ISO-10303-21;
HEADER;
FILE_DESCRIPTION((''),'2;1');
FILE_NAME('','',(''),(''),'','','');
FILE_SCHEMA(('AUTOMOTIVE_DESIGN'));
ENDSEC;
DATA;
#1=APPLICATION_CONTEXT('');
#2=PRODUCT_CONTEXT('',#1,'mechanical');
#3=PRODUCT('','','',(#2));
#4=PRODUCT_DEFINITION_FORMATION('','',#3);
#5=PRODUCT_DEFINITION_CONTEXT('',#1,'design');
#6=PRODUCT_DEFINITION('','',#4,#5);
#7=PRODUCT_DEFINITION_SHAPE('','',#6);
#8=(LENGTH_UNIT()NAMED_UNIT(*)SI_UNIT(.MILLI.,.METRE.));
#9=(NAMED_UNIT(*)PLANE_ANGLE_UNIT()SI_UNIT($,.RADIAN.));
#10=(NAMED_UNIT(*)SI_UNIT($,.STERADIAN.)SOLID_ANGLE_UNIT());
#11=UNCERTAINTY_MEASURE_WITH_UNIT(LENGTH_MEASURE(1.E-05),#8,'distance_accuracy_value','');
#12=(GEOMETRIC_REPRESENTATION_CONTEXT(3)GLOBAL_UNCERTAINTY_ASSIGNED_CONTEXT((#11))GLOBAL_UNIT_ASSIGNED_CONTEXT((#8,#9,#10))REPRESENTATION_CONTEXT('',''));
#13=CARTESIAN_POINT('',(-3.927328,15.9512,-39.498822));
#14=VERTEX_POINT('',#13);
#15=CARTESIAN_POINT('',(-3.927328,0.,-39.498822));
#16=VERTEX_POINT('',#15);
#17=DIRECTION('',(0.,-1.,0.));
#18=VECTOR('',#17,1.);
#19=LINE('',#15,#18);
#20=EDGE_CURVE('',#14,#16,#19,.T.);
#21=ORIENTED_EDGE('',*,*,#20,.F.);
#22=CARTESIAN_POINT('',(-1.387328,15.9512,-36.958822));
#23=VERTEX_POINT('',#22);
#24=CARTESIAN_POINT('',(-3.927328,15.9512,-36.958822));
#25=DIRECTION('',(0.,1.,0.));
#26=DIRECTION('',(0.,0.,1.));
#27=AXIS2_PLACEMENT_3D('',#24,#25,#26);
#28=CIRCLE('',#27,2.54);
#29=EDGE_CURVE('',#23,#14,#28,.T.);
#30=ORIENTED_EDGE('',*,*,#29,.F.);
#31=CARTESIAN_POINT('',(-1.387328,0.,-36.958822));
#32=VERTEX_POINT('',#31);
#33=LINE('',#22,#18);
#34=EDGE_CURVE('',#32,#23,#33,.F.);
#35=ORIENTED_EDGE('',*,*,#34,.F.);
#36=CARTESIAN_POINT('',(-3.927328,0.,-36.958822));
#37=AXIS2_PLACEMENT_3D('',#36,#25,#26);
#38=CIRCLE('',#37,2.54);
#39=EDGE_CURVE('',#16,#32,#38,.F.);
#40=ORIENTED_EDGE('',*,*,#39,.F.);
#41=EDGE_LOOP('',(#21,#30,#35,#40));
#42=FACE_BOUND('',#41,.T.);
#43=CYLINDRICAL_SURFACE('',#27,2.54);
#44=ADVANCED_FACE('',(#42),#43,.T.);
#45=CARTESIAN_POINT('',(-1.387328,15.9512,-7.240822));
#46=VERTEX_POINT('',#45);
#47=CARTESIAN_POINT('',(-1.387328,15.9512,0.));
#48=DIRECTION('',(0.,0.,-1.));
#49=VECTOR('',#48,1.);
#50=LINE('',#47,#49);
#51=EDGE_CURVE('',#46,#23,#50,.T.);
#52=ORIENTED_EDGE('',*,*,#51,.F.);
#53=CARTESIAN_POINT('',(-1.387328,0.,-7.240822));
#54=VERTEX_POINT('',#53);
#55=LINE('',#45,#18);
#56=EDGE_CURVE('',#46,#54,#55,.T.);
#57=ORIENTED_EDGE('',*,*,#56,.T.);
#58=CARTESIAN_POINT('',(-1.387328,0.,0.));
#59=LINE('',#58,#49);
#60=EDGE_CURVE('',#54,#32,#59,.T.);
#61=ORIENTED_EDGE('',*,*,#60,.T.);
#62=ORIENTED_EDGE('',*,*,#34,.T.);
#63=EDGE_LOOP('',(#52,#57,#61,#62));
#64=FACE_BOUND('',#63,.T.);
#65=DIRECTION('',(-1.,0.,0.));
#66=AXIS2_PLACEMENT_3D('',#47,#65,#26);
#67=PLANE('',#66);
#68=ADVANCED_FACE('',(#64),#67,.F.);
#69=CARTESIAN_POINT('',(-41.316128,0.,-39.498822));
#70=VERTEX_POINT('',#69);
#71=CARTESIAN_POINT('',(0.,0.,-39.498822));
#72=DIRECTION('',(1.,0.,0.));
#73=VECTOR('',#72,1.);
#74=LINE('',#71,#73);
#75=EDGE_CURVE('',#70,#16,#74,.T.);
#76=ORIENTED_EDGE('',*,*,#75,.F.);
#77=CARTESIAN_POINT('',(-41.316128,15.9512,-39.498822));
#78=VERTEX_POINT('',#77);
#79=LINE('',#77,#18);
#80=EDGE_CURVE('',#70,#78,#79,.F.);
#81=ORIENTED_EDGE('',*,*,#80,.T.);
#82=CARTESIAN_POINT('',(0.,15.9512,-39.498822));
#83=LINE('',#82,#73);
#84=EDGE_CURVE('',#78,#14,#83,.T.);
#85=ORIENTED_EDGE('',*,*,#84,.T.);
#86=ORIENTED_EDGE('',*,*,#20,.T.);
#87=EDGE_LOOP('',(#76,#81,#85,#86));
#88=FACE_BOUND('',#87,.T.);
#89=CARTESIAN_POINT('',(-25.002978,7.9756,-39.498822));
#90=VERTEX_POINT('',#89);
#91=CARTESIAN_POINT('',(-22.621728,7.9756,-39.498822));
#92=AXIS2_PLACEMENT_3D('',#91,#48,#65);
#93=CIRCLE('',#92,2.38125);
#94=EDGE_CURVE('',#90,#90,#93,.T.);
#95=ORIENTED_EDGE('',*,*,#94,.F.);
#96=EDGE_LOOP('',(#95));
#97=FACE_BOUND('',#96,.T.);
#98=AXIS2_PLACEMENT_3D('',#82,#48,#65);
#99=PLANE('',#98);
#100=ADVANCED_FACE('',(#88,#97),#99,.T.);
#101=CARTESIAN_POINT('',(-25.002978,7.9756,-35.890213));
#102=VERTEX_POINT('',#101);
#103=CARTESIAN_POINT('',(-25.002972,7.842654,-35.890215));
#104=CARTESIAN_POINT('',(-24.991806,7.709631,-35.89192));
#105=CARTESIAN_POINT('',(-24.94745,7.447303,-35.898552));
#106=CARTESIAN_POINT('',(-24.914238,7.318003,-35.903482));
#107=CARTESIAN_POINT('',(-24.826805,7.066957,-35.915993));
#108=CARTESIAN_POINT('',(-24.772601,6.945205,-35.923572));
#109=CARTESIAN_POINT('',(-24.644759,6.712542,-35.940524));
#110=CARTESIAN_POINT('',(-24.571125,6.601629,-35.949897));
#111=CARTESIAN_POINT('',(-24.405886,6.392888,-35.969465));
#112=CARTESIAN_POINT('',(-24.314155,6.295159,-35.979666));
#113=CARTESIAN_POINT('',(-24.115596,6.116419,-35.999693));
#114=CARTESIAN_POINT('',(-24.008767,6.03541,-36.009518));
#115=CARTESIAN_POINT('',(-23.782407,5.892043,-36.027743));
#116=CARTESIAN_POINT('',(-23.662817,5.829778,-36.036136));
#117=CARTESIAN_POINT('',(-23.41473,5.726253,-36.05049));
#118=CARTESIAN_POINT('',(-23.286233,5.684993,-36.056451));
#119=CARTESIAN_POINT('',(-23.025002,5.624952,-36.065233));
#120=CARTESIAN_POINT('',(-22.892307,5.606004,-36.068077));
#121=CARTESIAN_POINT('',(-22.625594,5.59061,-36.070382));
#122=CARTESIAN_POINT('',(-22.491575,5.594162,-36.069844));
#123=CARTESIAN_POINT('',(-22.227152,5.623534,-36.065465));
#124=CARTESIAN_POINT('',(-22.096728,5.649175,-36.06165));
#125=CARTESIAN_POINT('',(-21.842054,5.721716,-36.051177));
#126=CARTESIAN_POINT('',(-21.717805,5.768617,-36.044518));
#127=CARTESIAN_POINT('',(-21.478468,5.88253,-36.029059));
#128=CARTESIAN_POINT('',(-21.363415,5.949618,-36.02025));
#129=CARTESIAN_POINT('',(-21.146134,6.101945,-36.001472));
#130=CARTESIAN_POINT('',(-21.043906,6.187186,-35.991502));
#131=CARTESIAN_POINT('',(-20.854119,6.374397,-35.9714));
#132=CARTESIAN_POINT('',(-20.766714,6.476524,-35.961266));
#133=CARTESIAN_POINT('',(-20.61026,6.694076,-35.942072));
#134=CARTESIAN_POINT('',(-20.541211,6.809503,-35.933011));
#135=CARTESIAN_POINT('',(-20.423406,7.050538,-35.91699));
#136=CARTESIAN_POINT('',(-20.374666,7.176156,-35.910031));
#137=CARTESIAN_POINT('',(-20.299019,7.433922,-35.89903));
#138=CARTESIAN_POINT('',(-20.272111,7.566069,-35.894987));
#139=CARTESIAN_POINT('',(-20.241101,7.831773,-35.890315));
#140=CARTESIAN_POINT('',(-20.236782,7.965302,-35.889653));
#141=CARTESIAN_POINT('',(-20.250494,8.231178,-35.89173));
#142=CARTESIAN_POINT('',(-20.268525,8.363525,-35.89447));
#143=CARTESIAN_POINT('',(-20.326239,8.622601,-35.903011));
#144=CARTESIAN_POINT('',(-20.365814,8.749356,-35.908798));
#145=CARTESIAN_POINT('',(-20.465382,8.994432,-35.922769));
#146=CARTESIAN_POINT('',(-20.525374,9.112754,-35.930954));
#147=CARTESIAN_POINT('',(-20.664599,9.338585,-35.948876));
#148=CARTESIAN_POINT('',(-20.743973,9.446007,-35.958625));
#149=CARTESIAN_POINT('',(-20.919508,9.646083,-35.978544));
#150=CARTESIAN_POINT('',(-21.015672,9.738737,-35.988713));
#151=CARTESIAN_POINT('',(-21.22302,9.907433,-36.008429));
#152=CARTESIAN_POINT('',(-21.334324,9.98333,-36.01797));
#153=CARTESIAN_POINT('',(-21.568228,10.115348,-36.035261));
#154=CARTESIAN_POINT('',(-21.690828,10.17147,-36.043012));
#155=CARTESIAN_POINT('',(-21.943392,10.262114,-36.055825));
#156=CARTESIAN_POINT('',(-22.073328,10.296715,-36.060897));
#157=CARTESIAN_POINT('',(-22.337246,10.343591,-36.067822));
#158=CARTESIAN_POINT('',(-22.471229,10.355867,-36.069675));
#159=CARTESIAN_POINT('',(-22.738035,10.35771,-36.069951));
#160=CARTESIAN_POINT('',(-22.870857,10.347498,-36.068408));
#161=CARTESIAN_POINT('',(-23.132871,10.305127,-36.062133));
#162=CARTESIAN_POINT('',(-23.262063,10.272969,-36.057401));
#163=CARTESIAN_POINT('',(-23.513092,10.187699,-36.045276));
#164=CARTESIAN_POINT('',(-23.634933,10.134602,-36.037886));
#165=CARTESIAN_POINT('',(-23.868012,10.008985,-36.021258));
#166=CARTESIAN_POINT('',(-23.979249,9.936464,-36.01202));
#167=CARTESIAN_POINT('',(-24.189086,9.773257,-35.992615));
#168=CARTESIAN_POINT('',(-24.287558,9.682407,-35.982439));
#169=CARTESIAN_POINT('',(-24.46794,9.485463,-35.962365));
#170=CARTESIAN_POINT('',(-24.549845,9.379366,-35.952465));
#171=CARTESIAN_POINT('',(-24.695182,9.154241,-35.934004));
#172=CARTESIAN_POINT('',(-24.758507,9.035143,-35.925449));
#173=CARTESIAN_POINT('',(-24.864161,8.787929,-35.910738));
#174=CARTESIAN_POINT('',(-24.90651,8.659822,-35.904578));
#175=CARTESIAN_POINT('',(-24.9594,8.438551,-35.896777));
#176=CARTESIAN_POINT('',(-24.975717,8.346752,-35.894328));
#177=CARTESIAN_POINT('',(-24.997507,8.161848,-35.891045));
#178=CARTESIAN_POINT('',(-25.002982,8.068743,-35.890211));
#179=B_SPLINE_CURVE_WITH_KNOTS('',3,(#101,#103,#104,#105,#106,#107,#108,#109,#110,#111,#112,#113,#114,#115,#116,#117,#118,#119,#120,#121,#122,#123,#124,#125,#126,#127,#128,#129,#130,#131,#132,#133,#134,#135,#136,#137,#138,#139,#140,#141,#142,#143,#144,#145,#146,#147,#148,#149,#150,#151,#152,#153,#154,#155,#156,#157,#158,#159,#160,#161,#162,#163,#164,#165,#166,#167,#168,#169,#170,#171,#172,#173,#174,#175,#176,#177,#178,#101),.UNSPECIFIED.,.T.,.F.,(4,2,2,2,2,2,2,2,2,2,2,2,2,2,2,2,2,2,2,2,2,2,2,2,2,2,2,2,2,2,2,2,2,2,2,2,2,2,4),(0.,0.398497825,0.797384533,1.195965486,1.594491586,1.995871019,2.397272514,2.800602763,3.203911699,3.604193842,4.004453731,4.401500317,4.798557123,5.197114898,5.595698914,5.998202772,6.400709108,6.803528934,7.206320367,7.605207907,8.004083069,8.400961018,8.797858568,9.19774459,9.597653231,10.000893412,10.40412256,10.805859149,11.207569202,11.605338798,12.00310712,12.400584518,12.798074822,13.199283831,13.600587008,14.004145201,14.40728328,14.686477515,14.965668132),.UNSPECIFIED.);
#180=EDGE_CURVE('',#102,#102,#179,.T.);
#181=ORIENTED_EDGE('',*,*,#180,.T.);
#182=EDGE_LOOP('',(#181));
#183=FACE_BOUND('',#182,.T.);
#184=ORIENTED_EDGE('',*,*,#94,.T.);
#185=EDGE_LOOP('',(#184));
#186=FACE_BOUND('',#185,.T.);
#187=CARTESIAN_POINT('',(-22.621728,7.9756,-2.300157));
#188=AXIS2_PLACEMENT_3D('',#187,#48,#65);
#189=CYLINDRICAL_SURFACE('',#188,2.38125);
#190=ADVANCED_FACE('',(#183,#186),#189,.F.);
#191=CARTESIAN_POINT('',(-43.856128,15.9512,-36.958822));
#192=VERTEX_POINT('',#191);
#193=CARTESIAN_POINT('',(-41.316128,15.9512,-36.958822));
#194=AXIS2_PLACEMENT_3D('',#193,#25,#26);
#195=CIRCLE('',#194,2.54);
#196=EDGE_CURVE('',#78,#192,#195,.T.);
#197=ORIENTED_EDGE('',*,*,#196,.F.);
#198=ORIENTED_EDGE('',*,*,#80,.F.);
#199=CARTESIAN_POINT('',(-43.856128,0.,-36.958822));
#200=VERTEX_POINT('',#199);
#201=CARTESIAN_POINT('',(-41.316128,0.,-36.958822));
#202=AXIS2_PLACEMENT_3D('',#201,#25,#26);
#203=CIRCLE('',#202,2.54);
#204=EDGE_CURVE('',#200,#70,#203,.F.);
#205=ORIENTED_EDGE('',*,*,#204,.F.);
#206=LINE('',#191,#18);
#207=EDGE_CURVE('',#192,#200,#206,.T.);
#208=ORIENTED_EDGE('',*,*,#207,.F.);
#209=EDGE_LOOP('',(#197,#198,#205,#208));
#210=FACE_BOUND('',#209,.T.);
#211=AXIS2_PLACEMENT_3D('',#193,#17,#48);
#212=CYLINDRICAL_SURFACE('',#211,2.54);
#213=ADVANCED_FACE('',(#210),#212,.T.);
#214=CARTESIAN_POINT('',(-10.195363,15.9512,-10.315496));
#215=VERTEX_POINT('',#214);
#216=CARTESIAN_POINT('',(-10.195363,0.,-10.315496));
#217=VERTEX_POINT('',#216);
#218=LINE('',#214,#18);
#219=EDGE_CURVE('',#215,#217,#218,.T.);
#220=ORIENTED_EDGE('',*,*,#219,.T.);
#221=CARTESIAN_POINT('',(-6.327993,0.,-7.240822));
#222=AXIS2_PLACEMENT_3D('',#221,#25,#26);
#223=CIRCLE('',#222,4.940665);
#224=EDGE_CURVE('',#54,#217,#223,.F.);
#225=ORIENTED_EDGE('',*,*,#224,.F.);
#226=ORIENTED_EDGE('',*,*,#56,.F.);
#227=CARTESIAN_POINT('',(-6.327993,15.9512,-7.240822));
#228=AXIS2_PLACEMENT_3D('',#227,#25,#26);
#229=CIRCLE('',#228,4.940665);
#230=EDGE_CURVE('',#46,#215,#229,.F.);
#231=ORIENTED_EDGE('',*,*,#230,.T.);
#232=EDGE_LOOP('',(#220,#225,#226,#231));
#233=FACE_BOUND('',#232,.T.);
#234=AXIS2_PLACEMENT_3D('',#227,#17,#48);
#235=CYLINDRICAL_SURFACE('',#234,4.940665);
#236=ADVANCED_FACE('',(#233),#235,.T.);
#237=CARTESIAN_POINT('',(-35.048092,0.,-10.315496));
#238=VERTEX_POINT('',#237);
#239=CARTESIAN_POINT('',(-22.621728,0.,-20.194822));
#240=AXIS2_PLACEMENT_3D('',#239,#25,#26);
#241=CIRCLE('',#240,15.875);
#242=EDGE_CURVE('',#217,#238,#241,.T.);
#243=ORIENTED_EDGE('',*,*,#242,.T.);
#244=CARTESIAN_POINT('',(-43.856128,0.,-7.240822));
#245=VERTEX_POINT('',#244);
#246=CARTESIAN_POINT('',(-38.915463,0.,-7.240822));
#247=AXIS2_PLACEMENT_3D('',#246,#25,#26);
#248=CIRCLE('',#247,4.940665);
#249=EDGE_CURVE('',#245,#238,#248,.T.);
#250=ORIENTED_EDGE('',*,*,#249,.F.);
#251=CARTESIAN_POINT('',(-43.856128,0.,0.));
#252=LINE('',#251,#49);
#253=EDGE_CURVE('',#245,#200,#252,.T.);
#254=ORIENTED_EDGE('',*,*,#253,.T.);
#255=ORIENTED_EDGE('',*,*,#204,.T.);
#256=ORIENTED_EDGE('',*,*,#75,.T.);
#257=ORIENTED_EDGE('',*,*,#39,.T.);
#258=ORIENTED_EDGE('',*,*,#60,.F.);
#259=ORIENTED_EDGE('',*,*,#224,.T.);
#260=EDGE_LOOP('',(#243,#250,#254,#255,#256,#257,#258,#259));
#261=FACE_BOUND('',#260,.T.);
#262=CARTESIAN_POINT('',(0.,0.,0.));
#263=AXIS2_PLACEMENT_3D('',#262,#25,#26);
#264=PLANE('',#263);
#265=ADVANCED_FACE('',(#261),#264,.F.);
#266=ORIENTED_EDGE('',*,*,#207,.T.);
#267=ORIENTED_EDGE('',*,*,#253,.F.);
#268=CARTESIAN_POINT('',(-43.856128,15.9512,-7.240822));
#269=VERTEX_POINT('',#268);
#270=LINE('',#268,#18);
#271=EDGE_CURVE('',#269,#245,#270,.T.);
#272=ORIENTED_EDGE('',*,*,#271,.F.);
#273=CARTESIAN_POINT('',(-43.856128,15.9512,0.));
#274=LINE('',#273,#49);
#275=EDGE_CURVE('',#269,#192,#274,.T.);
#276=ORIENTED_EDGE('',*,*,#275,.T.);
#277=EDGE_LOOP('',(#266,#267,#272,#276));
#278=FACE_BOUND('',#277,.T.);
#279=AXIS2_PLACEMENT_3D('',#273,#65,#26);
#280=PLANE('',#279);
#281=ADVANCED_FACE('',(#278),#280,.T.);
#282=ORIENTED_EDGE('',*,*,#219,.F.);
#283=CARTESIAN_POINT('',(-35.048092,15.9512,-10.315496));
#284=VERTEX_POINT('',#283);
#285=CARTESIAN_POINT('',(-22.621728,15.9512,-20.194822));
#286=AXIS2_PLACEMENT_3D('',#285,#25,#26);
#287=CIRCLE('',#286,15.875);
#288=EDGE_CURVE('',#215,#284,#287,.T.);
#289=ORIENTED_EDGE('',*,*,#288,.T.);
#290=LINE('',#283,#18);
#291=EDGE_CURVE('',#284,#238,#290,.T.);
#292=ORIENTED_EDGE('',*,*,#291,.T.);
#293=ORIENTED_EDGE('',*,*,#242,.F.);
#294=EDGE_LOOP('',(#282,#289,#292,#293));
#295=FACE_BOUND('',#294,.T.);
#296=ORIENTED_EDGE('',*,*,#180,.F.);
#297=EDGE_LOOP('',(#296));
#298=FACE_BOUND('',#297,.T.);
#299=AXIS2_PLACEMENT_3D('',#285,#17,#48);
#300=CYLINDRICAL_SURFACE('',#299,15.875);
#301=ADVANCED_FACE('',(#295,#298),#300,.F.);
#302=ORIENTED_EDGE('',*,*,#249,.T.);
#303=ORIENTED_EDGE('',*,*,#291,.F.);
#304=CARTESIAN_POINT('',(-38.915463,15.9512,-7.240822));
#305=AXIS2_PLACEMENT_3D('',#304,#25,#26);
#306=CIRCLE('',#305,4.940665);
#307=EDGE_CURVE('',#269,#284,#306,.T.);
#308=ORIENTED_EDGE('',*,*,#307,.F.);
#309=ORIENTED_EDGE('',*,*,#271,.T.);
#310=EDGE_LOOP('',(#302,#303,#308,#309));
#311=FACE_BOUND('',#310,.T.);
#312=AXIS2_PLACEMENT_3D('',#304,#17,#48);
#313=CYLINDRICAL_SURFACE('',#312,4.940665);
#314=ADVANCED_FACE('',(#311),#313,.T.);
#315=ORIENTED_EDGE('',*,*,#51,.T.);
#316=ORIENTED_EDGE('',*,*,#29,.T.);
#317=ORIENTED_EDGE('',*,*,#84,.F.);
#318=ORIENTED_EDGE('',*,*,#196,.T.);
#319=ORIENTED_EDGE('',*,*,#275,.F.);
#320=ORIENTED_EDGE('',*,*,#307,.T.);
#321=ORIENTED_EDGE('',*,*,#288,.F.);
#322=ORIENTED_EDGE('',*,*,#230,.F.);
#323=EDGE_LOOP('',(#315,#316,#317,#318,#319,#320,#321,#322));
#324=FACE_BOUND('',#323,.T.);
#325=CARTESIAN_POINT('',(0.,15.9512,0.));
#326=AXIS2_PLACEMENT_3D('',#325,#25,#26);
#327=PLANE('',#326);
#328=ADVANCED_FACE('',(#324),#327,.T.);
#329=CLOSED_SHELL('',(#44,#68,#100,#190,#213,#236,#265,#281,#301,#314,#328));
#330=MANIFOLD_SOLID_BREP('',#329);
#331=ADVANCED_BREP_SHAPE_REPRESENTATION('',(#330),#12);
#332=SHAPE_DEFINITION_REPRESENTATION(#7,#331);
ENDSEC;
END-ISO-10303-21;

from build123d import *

# Parameters (mm, degrees)
BOSS_EXTRUDE1_DEPTH = 15.9512
FILLET1_R           = 2.54
SKETCH3_R           = 2.38125
CUT_EXTRUDE1_DEPTH  = 60.67865116


with BuildPart() as part:
    # Sketch2 → Boss-Extrude1 (new body)
    with BuildSketch(Plane(origin=(0, 0, 0), x_dir=(1, 0, 0), z_dir=(0, 1, 0))):
        with BuildLine():
            Line((-43.856127716, 39.498822447), (-43.856127716, 7.240822447))
            ThreePointArc((-43.856127716, 7.240822447), (-37.287152217, 2.576192047), (-35.048092212, 10.315496032))
            ThreePointArc((-35.048092212, 10.315496032), (-36.919453616, 27.093420789), (-22.621727716, 36.069822447))
            Line((-22.621727716, 36.069822447), (-22.621727716, 39.498822447))
            Line((-22.621727716, 39.498822447), (-43.856127716, 39.498822447))
        make_face()
        with BuildLine():
            Line((-1.387327716, 39.498822447), (-22.621727716, 39.498822447))
            Line((-22.621727716, 39.498822447), (-22.621727716, 36.069822447))
            ThreePointArc((-22.621727716, 36.069822447), (-8.324001816, 27.093420789), (-10.19536322, 10.315496032))
            ThreePointArc((-10.19536322, 10.315496032), (-7.956303215, 2.576192047), (-1.387327716, 7.240822447))
            Line((-1.387327716, 7.240822447), (-1.387327716, 39.498822447))
        make_face()
    extrude(amount=BOSS_EXTRUDE1_DEPTH)

    # Fillet1
    fillet1_edges = [part.edges().sort_by_distance(p)[0] for p in [
        (-43.856127716, 7.9756, -39.498822447),
        (-1.387327716, 7.9756, -39.498822447),
    ]]
    fillet(fillet1_edges, radius=FILLET1_R)

    # Sketch3 → Cut-Extrude1 (cut, through all)
    with BuildSketch(Plane(origin=(0, 0, -39.498822447), x_dir=(-1, 0, 0), z_dir=(0, 0, -1))):
        with Locations((22.621727716, 7.9756)):
            Circle(SKETCH3_R)
    extrude(amount=-CUT_EXTRUDE1_DEPTH, mode=Mode.SUBTRACT)


solid = part.part
